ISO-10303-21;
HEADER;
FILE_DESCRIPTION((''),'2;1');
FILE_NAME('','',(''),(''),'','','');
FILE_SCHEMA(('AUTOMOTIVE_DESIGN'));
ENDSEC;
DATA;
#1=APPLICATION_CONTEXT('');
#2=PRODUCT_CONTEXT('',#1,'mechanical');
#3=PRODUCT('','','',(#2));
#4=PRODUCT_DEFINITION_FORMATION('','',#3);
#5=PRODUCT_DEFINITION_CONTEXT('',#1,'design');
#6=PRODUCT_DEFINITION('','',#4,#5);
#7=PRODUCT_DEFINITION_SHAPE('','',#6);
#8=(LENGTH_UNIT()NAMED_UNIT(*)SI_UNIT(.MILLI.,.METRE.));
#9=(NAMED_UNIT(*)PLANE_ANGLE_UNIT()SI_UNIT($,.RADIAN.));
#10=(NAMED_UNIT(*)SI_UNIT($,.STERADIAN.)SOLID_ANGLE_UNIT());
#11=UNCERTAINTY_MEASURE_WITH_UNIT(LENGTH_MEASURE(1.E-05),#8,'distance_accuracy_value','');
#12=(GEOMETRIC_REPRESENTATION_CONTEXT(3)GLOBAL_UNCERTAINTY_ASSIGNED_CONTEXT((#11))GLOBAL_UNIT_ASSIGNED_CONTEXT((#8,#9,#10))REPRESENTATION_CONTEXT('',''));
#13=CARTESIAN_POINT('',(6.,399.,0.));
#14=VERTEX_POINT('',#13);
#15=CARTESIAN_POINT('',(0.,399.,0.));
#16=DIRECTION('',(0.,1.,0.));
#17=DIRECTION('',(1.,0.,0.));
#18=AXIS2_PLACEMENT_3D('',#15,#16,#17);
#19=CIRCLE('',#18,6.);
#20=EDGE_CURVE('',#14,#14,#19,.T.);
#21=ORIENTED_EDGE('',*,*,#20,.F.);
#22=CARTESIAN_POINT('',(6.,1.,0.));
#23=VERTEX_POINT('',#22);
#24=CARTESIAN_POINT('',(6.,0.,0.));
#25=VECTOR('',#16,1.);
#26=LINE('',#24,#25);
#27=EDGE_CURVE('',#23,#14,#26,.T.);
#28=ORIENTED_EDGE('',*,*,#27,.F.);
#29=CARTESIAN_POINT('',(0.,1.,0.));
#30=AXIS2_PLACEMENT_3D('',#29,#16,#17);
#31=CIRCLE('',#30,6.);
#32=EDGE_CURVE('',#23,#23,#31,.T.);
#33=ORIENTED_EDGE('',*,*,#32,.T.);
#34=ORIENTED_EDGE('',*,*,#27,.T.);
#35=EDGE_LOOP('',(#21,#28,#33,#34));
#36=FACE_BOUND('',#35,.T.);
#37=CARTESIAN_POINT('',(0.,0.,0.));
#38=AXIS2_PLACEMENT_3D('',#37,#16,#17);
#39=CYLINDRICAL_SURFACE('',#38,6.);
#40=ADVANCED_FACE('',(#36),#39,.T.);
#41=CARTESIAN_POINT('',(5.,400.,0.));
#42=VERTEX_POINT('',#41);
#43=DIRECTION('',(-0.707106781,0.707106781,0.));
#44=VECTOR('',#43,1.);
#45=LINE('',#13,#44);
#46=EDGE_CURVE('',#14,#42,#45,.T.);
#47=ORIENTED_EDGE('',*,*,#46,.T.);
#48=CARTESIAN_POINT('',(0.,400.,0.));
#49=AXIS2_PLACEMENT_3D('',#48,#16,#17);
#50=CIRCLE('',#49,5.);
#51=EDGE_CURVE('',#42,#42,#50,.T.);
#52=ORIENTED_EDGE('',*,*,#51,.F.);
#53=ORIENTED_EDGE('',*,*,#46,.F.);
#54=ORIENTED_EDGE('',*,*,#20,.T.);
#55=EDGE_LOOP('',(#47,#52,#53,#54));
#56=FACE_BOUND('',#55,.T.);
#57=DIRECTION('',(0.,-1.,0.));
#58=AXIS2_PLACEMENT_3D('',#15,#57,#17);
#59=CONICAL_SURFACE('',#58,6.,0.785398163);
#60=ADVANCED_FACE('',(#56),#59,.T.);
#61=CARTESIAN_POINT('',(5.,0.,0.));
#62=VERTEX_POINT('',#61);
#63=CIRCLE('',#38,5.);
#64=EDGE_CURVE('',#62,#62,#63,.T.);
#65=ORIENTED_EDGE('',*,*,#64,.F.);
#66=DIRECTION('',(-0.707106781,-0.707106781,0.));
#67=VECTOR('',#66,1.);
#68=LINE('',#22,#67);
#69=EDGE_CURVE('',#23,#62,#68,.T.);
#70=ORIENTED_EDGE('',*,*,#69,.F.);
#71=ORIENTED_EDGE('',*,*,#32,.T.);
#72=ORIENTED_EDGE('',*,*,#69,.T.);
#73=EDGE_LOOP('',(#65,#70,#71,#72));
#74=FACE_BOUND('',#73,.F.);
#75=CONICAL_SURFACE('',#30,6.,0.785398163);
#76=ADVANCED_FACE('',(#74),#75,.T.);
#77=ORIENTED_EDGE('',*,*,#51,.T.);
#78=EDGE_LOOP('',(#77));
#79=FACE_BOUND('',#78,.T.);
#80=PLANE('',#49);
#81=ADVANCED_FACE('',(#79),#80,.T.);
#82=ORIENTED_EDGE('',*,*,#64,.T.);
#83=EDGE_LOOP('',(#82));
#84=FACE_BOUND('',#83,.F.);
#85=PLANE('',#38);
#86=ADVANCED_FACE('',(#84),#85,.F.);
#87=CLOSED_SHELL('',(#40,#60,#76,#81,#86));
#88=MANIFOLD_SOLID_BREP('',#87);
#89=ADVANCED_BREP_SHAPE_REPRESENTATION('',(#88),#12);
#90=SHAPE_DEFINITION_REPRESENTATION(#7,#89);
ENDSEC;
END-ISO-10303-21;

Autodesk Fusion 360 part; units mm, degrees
cylinder "円柱プリミティブ1" add diameter 12 height 400 placed x (1, 0, 0) y (0, 0, -1) z (0, 1, 0) at (0, 0, 0)
chamfer "面取り1" distance 1 angle 45 2 edges at (-5.594, 400, 2.1697) (-5.594, 0, -2.1697)
